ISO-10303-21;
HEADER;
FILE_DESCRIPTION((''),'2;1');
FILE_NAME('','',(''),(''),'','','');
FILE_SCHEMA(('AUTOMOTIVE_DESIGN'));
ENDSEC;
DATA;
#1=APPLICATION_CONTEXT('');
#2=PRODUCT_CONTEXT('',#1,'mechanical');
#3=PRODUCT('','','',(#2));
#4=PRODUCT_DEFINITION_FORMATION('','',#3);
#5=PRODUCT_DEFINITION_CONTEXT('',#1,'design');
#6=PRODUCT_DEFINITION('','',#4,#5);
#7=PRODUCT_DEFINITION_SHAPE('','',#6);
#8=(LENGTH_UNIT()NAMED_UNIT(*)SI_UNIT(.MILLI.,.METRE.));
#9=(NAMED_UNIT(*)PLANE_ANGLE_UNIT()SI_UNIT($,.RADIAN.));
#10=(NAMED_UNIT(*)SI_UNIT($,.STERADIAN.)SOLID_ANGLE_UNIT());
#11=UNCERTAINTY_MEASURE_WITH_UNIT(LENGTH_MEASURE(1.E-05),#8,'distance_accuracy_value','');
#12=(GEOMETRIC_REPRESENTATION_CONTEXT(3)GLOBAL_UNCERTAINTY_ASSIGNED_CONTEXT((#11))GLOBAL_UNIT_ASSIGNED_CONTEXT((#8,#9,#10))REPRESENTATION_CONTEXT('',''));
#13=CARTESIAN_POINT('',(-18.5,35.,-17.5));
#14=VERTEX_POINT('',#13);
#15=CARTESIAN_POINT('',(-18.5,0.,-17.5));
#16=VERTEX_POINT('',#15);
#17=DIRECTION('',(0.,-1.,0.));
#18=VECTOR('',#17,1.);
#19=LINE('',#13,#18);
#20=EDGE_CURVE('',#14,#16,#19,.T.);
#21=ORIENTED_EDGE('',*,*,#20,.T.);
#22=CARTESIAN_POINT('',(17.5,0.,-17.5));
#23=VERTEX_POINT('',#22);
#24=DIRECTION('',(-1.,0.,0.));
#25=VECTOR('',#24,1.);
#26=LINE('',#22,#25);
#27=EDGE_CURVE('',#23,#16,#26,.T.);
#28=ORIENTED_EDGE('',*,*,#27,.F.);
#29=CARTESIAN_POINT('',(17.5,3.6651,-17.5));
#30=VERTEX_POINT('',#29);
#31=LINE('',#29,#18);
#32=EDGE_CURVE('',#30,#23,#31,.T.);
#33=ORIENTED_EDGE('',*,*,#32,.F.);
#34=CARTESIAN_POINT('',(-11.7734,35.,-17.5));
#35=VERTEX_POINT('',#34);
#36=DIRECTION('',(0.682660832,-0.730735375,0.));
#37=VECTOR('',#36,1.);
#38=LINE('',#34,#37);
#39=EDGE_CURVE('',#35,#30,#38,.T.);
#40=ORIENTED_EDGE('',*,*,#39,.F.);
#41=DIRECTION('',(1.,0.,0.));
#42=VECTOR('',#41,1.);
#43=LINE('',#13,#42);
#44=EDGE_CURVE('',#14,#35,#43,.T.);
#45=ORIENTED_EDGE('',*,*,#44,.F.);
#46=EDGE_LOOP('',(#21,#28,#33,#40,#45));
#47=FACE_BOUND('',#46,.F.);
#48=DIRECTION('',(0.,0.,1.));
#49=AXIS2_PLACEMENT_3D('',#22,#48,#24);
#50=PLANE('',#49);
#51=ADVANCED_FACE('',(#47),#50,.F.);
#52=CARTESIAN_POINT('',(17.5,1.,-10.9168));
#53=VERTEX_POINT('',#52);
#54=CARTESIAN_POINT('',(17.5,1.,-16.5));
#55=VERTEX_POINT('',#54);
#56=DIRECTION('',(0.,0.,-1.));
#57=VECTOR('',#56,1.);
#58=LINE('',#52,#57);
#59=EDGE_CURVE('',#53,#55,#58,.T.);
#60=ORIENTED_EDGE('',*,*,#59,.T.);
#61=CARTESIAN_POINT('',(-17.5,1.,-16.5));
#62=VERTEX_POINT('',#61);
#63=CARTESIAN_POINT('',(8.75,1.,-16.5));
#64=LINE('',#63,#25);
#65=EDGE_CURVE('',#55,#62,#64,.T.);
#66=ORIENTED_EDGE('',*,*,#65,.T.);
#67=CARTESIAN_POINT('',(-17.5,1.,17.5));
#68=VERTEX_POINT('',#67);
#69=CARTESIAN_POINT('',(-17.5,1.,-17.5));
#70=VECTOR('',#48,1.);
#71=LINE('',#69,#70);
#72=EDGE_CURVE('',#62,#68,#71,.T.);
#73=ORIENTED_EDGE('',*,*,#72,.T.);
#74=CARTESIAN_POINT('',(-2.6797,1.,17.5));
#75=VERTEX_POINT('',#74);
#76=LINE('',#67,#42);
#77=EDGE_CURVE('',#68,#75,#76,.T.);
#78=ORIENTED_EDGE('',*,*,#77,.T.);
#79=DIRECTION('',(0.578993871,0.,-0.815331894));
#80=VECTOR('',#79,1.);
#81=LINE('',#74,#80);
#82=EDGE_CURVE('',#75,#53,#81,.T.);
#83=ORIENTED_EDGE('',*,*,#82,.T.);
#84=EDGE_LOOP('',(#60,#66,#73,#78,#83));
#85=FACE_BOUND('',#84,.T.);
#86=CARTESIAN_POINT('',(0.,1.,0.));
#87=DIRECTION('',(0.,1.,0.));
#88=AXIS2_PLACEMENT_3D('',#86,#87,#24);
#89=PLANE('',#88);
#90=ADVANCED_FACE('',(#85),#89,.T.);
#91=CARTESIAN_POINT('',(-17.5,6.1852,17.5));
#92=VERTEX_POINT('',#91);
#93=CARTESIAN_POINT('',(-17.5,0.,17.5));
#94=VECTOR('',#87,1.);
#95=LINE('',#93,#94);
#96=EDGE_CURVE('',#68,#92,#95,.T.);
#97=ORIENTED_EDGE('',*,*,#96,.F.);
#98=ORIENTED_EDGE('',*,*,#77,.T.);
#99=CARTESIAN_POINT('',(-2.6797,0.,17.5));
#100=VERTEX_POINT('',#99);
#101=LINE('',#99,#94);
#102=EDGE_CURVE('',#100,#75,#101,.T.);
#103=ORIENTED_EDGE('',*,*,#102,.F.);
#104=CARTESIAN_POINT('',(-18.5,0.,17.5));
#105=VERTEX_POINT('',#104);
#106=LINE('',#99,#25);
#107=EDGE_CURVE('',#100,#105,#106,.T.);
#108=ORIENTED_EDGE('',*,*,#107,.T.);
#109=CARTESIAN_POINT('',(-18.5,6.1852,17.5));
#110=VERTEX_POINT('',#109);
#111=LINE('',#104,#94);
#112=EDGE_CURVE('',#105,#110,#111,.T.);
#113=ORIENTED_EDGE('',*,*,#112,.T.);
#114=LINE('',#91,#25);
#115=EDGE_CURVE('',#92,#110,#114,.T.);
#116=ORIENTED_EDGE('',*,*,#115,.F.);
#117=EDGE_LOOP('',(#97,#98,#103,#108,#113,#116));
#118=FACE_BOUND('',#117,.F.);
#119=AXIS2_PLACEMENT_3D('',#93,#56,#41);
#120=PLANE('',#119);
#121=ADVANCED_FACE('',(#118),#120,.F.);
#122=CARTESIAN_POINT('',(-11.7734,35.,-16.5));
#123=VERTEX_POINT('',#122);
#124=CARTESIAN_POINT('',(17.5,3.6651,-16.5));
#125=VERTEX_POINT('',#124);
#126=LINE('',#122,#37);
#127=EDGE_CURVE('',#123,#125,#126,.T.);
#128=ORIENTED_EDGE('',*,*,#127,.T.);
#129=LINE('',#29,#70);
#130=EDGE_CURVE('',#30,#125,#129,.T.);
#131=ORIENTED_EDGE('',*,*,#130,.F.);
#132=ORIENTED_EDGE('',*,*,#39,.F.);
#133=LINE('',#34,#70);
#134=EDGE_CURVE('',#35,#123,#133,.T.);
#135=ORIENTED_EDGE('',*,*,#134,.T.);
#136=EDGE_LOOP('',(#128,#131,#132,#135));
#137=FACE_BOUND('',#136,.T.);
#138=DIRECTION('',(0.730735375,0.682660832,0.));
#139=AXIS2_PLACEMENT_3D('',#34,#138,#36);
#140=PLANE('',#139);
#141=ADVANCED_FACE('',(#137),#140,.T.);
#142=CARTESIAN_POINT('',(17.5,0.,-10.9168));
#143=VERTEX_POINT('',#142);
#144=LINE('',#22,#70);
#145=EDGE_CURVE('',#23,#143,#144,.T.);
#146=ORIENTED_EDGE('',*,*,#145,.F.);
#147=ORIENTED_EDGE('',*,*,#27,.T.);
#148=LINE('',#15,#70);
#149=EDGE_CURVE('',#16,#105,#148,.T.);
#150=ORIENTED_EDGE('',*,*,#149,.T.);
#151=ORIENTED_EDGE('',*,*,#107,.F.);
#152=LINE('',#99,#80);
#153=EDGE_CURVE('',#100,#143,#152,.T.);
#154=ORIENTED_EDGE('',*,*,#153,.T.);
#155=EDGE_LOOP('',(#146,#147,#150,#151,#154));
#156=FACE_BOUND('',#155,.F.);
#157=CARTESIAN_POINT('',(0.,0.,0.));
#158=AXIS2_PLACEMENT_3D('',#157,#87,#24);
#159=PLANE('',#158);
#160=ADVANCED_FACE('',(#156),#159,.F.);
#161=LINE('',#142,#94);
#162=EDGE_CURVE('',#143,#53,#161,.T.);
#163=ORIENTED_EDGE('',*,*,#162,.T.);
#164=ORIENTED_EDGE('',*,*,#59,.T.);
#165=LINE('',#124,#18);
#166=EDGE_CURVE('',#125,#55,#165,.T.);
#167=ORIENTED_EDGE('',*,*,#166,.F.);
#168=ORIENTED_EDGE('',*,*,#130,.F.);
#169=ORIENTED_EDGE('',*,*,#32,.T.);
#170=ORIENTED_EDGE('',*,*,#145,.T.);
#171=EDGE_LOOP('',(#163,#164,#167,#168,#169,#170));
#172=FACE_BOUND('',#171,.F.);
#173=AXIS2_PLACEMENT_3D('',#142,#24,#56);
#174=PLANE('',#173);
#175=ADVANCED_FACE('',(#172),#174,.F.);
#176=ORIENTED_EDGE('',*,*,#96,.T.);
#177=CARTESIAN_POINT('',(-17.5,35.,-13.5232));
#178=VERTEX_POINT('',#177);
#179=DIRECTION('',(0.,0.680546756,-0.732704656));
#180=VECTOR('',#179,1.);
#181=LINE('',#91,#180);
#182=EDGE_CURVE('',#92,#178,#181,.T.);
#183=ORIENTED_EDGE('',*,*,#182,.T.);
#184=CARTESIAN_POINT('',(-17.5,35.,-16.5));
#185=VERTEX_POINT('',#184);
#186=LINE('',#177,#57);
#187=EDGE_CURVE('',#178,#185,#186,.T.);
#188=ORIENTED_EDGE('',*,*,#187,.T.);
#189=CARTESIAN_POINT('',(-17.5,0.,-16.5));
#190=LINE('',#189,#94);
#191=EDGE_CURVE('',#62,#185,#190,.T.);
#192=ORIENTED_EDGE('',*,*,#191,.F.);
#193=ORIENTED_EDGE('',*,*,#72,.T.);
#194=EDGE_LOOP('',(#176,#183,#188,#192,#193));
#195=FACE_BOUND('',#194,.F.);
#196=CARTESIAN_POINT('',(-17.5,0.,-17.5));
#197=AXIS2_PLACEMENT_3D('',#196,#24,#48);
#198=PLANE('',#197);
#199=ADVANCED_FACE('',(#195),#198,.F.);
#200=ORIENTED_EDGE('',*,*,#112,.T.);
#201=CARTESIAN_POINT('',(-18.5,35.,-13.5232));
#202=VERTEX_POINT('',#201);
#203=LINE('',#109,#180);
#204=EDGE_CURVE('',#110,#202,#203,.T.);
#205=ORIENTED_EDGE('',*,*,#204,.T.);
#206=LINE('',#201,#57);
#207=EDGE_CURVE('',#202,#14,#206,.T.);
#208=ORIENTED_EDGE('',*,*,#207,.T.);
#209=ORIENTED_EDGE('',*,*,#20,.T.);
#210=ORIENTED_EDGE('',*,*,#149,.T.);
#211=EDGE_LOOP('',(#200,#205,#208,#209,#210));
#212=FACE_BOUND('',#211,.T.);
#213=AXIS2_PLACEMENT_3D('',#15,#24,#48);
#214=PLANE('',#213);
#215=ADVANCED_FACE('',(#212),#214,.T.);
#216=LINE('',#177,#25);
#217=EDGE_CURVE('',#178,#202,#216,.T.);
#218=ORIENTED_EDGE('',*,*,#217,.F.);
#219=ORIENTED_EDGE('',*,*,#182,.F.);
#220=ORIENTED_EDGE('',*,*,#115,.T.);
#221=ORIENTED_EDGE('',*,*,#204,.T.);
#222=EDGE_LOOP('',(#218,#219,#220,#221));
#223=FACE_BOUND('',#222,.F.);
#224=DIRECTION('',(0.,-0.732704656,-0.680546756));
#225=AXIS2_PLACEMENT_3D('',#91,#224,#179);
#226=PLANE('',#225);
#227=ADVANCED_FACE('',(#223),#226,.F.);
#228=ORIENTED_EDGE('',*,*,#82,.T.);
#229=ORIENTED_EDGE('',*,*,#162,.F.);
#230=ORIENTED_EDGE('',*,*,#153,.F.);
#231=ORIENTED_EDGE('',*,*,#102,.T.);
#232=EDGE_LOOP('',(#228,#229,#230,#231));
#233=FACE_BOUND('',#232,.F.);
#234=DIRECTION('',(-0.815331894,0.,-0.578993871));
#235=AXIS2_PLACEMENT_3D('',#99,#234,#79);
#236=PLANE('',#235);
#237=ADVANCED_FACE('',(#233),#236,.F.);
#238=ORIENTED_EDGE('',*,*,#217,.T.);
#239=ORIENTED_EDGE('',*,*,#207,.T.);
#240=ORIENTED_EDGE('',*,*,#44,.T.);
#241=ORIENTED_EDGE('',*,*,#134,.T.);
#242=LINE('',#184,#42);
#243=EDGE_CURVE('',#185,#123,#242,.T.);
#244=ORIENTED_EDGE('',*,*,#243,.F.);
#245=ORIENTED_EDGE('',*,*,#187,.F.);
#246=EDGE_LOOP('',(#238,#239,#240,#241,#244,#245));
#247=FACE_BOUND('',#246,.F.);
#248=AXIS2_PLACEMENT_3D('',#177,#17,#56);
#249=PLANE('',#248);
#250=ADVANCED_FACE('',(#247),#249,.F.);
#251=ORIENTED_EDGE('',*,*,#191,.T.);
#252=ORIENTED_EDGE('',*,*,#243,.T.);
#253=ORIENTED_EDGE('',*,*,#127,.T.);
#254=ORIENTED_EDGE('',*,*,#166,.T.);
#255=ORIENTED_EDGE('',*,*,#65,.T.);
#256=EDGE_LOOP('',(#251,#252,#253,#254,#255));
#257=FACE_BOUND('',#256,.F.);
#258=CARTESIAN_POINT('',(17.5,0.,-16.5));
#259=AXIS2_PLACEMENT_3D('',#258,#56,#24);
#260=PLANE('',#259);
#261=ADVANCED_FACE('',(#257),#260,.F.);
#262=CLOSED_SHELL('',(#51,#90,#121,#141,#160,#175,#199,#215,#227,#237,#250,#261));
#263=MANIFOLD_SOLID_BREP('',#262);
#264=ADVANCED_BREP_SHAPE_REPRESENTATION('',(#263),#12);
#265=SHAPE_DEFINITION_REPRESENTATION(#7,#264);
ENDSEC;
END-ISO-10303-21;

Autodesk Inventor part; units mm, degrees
ref_plane "YZ Plane" through (0, 0, 0) normal (1, 0, 0) x (0, 1, 0)
ref_plane "XZ Plane" through (0, 0, 0) normal (0, 1, 0) x (-1, 0, 0)
ref_plane "XY Plane" through (0, 0, 0) normal (0, 0, 1) x (1, 0, 0)
sketch "Sketch1" plane through (0, 0, 0) normal (0, 1, 0) x (-1, 0, 0)
  line L0 (17.5, -17.5) -> (-17.5, -17.5) construction
  line L1 (-17.5, -17.5) -> (-17.5, 17.5) construction
  line L2 (-17.5, 17.5) -> (17.5, 17.5) construction
  line L3 (17.5, 17.5) -> (17.5, -17.5) construction
  line L4 (17.5, 17.5) -> (2.6797, 17.5)
  line L5 (2.6797, 17.5) -> (-17.5, -10.9168)
  line L6 (-17.5, -10.9168) -> (-17.5, -17.5)
  line L7 (-17.5, -17.5) -> (17.5, -17.5)
  line L8 (17.5, -17.5) -> (17.5, 17.5)
  point P0 (0, 0)
  dimension "d0" = 35
  dimension "d1" = 35
  dimension "d2" = 17.5
  dimension "d3" = 17.5
extrude "Extrusion1" add sketch "Sketch1" along normal blind 1
sketch "Sketch2" plane through (-17.5, 0, -17.5) normal (-1, 0, 0) x (0, 0, 1)
  line L0 (35, 35) -> (0, 35) construction
  line L1 (0, 35) -> (0, 0) construction
  line L2 (0, 0) -> (35, 0) construction
  line L3 (35, 0) -> (35, 35)
  line L4 (35, 0) -> (35, 6.1852)
  line L5 (35, 6.1852) -> (3.9768, 35)
  line L6 (3.9768, 35) -> (0, 35)
  line L7 (0, 35) -> (0, 0)
  line L8 (0, 0) -> (35, 0)
  point P0 (17.5, 0)
  dimension "d6" = 35
  dimension "d7" = 35
  dimension "d8" = 35
extrude "Extrusion2" add sketch "Sketch2" along normal blind 1
sketch "Sketch3" plane through (17.5, 0, -17.5) normal (0, 0, -1) x (-1, 0, 0)
  line L0 (35, 0) -> (35, 35)
  line L1 (35, 35) -> (29.2734, 35)
  line L2 (29.2734, 35) -> (0, 3.6651)
  line L3 (0, 3.6651) -> (0, 0)
  line L4 (0, 0) -> (35, 0)
  point P0 (17.5, 0)
  dimension "d11" = 35
  dimension "d12" = 35
extrude "Extrusion3" add sketch "Sketch3" against normal blind 1
properties part number "corner_protectipt"
